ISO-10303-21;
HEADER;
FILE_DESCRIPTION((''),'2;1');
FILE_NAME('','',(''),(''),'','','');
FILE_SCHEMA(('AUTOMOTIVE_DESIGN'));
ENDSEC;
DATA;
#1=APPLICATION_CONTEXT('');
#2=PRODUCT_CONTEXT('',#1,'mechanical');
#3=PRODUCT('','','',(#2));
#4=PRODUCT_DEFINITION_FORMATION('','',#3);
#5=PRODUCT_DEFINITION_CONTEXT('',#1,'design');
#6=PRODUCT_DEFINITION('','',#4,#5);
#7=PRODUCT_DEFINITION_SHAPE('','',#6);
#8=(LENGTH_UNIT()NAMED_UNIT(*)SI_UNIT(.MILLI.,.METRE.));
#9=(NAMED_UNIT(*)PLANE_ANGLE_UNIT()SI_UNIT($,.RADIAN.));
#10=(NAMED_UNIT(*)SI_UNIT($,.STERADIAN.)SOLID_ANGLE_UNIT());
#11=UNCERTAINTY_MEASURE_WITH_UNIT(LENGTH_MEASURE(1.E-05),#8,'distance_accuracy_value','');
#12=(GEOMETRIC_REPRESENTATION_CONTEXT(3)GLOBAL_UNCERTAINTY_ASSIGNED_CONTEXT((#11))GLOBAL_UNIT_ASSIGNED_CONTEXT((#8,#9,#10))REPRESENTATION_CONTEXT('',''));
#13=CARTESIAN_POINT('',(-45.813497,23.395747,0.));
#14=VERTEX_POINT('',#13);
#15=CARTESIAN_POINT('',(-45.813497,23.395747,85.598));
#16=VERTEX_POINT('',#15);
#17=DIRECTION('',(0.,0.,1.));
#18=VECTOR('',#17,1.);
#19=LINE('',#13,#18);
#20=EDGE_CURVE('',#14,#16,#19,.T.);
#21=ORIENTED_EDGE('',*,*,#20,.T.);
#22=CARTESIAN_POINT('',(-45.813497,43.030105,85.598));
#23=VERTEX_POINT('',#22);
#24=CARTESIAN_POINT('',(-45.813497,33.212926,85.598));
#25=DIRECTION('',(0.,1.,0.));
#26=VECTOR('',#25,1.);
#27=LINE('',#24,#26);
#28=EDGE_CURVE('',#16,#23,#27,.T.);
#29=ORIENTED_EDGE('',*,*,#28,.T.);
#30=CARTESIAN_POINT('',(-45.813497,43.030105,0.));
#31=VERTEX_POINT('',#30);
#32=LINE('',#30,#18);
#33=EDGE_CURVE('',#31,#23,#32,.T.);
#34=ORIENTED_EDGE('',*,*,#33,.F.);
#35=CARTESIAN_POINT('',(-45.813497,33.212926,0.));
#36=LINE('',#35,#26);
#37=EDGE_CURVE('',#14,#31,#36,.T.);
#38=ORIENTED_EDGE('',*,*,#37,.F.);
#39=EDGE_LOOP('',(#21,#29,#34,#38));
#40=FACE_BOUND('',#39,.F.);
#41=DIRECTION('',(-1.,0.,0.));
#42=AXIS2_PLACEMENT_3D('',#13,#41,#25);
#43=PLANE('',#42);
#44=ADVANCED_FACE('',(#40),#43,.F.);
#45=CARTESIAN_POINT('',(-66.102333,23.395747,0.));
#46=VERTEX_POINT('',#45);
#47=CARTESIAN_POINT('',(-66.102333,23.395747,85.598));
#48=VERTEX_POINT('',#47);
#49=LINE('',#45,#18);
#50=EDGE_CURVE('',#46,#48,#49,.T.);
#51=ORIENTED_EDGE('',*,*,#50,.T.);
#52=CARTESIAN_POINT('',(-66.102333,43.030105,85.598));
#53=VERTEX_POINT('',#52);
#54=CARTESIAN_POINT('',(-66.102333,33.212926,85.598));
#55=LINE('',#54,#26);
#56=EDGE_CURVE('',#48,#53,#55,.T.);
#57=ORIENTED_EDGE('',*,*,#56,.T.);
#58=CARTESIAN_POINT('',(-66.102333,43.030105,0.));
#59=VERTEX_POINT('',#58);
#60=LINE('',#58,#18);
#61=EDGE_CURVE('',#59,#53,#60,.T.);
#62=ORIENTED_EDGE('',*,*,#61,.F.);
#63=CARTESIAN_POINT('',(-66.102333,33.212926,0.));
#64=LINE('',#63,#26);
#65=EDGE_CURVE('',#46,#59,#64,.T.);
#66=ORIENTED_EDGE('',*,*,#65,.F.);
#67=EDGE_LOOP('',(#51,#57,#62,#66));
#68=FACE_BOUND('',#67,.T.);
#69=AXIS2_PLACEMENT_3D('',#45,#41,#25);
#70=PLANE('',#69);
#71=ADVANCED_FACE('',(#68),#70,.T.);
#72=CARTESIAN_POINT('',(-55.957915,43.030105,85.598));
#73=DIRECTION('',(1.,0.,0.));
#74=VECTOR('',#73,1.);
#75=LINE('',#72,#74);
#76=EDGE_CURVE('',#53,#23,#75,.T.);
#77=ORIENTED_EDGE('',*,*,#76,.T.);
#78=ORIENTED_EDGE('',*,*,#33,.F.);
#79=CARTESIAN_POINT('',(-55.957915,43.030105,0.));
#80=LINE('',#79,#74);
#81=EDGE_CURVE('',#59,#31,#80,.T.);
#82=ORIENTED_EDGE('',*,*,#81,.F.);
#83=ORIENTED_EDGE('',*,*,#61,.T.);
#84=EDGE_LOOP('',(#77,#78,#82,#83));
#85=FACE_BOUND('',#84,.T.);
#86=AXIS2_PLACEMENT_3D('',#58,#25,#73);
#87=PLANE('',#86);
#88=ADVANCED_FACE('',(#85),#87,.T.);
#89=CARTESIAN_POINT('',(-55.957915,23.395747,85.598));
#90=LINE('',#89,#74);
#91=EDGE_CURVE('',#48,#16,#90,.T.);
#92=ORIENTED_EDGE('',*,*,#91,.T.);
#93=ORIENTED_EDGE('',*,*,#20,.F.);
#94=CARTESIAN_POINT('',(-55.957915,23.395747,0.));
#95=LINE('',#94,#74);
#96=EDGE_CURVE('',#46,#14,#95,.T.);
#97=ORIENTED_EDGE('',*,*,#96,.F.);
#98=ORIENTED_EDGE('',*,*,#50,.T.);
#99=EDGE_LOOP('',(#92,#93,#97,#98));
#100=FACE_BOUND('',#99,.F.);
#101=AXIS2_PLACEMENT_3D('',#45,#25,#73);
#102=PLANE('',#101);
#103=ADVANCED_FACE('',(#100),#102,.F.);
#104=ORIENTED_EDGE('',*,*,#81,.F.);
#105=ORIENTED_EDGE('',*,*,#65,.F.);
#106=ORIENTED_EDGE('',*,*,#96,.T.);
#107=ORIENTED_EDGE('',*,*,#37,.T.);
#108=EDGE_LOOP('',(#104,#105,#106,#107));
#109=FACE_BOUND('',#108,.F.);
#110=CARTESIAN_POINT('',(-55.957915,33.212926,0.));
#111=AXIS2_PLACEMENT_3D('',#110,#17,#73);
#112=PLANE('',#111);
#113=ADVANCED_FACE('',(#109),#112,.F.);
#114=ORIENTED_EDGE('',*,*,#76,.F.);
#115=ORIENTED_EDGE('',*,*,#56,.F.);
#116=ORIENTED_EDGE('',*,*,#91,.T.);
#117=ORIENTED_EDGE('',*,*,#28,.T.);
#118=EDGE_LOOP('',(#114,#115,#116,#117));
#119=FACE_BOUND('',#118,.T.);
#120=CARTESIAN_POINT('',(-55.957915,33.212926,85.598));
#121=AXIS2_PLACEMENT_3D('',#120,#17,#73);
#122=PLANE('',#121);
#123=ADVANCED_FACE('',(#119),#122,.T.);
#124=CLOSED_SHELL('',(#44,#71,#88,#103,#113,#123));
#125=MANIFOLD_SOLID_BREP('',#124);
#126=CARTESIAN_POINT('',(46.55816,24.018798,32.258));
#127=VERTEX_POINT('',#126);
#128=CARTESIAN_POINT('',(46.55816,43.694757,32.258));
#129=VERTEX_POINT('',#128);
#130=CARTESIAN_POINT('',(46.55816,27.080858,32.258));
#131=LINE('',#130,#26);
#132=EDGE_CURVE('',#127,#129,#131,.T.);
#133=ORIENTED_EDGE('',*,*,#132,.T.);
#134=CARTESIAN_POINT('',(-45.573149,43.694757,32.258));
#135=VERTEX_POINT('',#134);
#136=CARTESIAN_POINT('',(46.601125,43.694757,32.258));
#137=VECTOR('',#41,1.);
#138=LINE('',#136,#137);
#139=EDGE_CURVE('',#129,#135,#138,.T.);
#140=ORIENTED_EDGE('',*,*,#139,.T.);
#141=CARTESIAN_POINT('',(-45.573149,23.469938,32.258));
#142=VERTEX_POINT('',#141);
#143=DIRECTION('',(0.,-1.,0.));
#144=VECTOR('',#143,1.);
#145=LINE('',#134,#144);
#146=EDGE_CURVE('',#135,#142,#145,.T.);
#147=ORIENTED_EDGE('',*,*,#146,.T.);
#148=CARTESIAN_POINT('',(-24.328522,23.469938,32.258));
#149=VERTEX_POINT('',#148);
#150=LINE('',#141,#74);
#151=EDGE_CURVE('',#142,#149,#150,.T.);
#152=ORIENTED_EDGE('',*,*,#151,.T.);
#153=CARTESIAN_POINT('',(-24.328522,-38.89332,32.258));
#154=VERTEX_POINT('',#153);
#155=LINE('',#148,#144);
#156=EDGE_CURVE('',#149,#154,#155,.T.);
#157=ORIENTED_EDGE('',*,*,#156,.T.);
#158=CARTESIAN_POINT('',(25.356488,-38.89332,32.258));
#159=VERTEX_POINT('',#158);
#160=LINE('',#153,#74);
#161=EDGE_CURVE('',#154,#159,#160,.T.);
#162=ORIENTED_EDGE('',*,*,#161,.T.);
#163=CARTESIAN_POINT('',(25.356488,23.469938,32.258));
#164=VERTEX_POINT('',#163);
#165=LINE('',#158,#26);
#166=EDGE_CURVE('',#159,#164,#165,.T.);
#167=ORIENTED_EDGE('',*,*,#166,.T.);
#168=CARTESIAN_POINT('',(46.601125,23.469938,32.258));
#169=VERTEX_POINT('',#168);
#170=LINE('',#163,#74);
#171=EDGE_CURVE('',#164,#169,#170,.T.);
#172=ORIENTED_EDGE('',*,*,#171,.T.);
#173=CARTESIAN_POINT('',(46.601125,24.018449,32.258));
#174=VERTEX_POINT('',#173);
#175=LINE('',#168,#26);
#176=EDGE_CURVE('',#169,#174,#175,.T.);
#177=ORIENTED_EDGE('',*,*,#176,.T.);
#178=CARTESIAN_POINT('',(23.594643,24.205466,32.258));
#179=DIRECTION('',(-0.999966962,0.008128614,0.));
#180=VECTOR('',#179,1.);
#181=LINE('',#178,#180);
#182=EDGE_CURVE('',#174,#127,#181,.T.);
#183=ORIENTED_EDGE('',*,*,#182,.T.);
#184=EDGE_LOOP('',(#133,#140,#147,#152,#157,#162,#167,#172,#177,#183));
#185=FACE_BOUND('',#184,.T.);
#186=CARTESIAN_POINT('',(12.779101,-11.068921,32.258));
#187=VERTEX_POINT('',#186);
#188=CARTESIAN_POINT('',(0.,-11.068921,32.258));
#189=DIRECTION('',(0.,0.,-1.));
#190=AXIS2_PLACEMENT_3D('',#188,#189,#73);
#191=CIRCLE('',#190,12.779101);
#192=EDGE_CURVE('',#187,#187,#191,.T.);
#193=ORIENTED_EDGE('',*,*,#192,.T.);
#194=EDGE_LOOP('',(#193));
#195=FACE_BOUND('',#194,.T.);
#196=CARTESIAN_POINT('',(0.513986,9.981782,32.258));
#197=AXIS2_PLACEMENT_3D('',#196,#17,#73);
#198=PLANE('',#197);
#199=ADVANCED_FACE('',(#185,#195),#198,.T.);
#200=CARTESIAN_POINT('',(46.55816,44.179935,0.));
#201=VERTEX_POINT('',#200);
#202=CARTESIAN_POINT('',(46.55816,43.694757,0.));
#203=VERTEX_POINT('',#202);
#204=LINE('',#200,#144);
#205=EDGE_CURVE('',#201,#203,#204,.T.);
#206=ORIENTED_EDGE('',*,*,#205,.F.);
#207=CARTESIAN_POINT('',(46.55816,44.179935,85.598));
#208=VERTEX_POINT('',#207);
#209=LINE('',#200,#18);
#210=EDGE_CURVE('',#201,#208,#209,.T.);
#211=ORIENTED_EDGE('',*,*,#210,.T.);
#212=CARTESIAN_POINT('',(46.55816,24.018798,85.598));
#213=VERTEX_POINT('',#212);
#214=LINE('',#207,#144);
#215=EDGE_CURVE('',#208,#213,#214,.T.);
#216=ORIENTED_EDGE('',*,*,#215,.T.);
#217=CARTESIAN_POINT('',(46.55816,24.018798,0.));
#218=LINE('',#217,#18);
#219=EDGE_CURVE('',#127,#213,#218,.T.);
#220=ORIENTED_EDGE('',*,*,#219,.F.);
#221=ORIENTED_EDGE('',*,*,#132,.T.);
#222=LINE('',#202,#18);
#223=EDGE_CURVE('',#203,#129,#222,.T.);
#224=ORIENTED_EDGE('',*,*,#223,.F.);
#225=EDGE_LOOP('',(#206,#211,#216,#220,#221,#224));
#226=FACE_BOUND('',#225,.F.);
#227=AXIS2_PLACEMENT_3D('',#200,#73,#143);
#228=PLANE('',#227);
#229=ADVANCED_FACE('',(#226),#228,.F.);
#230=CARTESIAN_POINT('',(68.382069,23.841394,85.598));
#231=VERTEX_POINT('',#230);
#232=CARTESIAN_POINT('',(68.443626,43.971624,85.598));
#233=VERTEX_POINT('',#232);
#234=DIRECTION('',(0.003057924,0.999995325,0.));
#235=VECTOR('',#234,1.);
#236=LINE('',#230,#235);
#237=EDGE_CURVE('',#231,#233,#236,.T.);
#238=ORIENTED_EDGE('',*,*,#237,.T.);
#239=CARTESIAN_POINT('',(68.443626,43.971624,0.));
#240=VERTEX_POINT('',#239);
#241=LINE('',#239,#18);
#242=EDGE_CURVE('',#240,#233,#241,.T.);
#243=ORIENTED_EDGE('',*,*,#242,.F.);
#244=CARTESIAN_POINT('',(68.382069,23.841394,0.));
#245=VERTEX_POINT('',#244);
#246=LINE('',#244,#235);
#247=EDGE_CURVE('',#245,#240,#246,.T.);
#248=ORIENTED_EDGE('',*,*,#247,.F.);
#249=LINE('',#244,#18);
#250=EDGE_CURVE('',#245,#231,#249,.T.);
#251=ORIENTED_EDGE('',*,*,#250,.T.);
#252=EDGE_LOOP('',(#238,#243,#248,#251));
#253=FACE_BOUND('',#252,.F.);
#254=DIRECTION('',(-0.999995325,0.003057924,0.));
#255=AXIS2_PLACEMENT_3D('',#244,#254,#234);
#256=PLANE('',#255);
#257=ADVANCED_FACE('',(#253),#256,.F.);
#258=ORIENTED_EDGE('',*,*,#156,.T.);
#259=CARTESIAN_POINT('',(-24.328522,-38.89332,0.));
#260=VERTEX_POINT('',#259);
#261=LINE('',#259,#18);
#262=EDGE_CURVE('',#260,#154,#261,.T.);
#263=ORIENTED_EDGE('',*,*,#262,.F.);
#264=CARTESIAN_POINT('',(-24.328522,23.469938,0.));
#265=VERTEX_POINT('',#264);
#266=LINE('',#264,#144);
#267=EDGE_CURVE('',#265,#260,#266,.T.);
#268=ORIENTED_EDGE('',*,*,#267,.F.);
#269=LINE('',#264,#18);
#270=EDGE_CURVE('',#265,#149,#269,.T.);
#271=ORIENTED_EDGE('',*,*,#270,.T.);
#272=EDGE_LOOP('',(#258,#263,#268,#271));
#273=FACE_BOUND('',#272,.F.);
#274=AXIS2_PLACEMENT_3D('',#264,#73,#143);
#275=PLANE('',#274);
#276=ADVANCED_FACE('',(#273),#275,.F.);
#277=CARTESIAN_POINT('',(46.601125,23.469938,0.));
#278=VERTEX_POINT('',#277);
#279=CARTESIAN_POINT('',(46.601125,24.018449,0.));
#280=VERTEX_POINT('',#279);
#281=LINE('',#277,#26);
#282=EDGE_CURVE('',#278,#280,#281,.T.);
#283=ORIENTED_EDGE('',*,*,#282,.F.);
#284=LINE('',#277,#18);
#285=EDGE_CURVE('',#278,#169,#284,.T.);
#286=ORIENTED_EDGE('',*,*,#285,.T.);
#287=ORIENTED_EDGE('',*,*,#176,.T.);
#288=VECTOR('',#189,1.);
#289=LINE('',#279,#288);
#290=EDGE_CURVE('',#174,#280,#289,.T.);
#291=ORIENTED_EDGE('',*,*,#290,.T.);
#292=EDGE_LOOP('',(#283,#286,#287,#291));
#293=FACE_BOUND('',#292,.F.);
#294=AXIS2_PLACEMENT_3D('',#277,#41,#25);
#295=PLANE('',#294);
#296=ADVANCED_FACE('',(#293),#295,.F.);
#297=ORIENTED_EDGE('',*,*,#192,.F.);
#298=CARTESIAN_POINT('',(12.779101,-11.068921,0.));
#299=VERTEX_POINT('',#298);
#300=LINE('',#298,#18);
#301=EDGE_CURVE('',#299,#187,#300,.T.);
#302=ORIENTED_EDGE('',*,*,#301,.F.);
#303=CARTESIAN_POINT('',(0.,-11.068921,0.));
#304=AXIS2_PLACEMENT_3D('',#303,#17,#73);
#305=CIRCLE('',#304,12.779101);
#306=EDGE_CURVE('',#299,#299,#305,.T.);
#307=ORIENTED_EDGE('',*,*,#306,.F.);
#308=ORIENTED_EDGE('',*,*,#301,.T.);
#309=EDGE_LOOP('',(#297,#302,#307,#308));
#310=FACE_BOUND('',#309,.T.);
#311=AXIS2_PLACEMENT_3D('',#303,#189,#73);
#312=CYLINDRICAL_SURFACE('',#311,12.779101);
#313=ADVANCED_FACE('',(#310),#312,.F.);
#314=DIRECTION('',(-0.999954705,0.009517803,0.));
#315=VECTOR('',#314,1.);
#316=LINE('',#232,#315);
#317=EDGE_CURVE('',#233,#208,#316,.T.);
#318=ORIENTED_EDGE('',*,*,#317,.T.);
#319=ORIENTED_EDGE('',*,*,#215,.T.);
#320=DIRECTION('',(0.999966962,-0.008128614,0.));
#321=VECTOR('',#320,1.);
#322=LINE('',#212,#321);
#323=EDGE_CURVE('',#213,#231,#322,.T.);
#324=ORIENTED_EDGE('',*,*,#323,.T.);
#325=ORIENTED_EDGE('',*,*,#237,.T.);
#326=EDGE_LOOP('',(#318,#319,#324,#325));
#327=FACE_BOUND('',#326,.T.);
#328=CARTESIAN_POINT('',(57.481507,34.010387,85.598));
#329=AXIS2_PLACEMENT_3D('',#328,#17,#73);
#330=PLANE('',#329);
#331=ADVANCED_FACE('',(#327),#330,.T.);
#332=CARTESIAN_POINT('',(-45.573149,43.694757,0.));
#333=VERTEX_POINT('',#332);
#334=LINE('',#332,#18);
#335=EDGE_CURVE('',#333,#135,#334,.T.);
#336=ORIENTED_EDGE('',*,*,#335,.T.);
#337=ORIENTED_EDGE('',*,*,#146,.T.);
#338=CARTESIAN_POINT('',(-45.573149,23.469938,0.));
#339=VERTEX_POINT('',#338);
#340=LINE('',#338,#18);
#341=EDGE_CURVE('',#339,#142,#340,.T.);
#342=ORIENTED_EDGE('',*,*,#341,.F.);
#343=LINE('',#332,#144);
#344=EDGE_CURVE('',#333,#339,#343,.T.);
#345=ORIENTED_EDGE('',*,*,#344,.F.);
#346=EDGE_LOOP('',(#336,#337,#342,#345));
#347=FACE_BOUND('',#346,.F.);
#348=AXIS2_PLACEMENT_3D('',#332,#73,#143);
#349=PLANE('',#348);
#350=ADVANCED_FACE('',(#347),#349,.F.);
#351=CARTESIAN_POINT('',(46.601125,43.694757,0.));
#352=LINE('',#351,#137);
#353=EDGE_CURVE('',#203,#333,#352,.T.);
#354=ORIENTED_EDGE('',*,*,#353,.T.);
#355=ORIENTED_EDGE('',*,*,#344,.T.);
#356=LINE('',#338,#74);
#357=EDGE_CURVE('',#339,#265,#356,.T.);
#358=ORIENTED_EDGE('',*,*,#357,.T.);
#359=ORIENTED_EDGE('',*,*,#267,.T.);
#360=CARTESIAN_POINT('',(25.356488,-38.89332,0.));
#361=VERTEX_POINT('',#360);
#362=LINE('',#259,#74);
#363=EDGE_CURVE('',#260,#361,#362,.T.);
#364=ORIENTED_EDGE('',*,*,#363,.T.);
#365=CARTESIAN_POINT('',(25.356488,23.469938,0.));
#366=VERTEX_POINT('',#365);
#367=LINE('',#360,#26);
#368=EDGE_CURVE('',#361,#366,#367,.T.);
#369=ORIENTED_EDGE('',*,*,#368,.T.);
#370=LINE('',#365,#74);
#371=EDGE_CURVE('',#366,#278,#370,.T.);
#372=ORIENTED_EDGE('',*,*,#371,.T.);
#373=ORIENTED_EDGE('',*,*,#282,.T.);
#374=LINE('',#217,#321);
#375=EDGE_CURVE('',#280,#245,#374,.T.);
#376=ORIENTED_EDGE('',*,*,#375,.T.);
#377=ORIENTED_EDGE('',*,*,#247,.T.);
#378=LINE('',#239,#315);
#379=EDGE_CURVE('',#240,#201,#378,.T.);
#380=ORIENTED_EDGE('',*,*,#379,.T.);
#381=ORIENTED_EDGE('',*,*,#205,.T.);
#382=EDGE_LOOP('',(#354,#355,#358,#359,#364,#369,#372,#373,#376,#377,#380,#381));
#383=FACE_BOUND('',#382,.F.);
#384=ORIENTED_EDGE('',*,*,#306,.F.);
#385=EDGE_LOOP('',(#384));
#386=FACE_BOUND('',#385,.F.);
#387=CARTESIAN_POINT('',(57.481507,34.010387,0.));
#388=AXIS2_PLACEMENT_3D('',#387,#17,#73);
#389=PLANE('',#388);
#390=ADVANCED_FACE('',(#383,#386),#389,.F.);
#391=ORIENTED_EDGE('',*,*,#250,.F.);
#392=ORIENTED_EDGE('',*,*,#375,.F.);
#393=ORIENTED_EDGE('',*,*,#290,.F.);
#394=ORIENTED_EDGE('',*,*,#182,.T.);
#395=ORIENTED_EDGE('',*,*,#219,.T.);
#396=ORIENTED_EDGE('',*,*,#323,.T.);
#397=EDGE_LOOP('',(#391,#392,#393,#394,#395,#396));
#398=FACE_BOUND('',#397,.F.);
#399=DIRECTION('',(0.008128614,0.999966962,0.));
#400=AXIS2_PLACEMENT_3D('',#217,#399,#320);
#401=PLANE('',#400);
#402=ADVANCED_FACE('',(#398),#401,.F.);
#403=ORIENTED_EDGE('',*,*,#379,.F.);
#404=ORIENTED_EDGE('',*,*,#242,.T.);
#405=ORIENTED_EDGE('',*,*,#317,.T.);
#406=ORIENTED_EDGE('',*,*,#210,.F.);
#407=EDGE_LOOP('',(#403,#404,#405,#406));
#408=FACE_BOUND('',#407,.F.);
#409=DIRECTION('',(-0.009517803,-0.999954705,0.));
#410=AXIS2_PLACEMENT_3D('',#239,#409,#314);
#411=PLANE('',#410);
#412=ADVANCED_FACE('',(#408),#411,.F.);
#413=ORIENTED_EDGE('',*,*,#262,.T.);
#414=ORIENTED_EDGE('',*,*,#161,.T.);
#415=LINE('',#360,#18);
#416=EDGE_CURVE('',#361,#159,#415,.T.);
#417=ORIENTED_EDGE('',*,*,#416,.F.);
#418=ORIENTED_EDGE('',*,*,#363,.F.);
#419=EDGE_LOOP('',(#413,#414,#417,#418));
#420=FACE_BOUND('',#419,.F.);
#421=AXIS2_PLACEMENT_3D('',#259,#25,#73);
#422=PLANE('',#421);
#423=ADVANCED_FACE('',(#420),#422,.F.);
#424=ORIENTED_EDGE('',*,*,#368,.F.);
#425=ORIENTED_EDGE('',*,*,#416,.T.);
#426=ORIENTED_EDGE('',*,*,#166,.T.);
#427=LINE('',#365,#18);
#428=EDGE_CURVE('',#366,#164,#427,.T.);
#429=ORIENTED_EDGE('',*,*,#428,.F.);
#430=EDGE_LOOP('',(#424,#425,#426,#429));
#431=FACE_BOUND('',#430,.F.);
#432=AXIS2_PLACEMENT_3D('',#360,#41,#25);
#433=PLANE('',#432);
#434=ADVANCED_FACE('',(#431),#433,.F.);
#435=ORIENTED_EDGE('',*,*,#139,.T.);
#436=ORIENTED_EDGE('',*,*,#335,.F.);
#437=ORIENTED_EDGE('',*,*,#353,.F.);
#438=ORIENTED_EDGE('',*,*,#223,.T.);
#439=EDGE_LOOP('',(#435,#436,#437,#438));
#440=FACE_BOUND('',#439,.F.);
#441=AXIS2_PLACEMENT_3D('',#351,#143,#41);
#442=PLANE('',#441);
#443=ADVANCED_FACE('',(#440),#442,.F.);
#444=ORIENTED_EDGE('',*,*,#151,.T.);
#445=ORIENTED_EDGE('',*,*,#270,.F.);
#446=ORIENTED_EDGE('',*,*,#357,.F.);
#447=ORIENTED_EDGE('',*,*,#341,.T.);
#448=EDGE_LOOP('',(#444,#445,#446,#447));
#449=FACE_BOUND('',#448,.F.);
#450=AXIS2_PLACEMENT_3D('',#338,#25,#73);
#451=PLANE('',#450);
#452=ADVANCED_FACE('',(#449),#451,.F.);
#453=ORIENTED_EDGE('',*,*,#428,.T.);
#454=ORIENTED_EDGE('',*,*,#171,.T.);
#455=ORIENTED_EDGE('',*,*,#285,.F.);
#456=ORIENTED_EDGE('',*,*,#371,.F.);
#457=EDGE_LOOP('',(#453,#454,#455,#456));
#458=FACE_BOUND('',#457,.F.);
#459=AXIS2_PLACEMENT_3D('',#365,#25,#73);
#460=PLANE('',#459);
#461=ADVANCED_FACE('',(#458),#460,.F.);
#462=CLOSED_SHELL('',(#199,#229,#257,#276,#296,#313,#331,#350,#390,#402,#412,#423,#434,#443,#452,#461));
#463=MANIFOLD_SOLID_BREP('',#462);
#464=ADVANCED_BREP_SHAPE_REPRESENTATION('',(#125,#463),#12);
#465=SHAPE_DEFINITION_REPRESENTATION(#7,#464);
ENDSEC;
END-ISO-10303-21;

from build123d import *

# Parameters (mm, degrees)
F1_DEPTH = 32.258
F2_W     = 20.288836
F2_H     = 19.634359
F3_DEPTH = 85.598
F4_R     = 12.779101
F5_DEPTH = 52.07


with BuildPart() as f1:
    # F0 (on Top) → F1 (new body)
    with BuildSketch(Plane.XY):
        Polygon((-24.328522, 23.469938), (-24.328522, -38.89332), (25.356488, -38.89332), (25.356488, 23.469938), (46.601125, 23.469938), (46.601125, 43.694757), (-45.573149, 43.694757), (-45.573149, 23.469938), align=None)
    extrude(amount=F1_DEPTH)

    # F2 (on Top) → F3 (join)
    with BuildSketch(Plane.XY):
        with Locations((-55.957915, 33.212926)):
            Rectangle(F2_W, F2_H)
        Polygon((68.443626, 43.971624), (46.55816, 44.179935), (46.55816, 24.018798), (68.382069, 23.841394), align=None)
    extrude(amount=F3_DEPTH)

    # F4 (on Top) → F5 (cut)
    with BuildSketch(Plane.XY):
        with Locations((0, -11.068921)):
            Circle(F4_R)
    extrude(amount=F5_DEPTH, mode=Mode.SUBTRACT)


solid = f1.part
